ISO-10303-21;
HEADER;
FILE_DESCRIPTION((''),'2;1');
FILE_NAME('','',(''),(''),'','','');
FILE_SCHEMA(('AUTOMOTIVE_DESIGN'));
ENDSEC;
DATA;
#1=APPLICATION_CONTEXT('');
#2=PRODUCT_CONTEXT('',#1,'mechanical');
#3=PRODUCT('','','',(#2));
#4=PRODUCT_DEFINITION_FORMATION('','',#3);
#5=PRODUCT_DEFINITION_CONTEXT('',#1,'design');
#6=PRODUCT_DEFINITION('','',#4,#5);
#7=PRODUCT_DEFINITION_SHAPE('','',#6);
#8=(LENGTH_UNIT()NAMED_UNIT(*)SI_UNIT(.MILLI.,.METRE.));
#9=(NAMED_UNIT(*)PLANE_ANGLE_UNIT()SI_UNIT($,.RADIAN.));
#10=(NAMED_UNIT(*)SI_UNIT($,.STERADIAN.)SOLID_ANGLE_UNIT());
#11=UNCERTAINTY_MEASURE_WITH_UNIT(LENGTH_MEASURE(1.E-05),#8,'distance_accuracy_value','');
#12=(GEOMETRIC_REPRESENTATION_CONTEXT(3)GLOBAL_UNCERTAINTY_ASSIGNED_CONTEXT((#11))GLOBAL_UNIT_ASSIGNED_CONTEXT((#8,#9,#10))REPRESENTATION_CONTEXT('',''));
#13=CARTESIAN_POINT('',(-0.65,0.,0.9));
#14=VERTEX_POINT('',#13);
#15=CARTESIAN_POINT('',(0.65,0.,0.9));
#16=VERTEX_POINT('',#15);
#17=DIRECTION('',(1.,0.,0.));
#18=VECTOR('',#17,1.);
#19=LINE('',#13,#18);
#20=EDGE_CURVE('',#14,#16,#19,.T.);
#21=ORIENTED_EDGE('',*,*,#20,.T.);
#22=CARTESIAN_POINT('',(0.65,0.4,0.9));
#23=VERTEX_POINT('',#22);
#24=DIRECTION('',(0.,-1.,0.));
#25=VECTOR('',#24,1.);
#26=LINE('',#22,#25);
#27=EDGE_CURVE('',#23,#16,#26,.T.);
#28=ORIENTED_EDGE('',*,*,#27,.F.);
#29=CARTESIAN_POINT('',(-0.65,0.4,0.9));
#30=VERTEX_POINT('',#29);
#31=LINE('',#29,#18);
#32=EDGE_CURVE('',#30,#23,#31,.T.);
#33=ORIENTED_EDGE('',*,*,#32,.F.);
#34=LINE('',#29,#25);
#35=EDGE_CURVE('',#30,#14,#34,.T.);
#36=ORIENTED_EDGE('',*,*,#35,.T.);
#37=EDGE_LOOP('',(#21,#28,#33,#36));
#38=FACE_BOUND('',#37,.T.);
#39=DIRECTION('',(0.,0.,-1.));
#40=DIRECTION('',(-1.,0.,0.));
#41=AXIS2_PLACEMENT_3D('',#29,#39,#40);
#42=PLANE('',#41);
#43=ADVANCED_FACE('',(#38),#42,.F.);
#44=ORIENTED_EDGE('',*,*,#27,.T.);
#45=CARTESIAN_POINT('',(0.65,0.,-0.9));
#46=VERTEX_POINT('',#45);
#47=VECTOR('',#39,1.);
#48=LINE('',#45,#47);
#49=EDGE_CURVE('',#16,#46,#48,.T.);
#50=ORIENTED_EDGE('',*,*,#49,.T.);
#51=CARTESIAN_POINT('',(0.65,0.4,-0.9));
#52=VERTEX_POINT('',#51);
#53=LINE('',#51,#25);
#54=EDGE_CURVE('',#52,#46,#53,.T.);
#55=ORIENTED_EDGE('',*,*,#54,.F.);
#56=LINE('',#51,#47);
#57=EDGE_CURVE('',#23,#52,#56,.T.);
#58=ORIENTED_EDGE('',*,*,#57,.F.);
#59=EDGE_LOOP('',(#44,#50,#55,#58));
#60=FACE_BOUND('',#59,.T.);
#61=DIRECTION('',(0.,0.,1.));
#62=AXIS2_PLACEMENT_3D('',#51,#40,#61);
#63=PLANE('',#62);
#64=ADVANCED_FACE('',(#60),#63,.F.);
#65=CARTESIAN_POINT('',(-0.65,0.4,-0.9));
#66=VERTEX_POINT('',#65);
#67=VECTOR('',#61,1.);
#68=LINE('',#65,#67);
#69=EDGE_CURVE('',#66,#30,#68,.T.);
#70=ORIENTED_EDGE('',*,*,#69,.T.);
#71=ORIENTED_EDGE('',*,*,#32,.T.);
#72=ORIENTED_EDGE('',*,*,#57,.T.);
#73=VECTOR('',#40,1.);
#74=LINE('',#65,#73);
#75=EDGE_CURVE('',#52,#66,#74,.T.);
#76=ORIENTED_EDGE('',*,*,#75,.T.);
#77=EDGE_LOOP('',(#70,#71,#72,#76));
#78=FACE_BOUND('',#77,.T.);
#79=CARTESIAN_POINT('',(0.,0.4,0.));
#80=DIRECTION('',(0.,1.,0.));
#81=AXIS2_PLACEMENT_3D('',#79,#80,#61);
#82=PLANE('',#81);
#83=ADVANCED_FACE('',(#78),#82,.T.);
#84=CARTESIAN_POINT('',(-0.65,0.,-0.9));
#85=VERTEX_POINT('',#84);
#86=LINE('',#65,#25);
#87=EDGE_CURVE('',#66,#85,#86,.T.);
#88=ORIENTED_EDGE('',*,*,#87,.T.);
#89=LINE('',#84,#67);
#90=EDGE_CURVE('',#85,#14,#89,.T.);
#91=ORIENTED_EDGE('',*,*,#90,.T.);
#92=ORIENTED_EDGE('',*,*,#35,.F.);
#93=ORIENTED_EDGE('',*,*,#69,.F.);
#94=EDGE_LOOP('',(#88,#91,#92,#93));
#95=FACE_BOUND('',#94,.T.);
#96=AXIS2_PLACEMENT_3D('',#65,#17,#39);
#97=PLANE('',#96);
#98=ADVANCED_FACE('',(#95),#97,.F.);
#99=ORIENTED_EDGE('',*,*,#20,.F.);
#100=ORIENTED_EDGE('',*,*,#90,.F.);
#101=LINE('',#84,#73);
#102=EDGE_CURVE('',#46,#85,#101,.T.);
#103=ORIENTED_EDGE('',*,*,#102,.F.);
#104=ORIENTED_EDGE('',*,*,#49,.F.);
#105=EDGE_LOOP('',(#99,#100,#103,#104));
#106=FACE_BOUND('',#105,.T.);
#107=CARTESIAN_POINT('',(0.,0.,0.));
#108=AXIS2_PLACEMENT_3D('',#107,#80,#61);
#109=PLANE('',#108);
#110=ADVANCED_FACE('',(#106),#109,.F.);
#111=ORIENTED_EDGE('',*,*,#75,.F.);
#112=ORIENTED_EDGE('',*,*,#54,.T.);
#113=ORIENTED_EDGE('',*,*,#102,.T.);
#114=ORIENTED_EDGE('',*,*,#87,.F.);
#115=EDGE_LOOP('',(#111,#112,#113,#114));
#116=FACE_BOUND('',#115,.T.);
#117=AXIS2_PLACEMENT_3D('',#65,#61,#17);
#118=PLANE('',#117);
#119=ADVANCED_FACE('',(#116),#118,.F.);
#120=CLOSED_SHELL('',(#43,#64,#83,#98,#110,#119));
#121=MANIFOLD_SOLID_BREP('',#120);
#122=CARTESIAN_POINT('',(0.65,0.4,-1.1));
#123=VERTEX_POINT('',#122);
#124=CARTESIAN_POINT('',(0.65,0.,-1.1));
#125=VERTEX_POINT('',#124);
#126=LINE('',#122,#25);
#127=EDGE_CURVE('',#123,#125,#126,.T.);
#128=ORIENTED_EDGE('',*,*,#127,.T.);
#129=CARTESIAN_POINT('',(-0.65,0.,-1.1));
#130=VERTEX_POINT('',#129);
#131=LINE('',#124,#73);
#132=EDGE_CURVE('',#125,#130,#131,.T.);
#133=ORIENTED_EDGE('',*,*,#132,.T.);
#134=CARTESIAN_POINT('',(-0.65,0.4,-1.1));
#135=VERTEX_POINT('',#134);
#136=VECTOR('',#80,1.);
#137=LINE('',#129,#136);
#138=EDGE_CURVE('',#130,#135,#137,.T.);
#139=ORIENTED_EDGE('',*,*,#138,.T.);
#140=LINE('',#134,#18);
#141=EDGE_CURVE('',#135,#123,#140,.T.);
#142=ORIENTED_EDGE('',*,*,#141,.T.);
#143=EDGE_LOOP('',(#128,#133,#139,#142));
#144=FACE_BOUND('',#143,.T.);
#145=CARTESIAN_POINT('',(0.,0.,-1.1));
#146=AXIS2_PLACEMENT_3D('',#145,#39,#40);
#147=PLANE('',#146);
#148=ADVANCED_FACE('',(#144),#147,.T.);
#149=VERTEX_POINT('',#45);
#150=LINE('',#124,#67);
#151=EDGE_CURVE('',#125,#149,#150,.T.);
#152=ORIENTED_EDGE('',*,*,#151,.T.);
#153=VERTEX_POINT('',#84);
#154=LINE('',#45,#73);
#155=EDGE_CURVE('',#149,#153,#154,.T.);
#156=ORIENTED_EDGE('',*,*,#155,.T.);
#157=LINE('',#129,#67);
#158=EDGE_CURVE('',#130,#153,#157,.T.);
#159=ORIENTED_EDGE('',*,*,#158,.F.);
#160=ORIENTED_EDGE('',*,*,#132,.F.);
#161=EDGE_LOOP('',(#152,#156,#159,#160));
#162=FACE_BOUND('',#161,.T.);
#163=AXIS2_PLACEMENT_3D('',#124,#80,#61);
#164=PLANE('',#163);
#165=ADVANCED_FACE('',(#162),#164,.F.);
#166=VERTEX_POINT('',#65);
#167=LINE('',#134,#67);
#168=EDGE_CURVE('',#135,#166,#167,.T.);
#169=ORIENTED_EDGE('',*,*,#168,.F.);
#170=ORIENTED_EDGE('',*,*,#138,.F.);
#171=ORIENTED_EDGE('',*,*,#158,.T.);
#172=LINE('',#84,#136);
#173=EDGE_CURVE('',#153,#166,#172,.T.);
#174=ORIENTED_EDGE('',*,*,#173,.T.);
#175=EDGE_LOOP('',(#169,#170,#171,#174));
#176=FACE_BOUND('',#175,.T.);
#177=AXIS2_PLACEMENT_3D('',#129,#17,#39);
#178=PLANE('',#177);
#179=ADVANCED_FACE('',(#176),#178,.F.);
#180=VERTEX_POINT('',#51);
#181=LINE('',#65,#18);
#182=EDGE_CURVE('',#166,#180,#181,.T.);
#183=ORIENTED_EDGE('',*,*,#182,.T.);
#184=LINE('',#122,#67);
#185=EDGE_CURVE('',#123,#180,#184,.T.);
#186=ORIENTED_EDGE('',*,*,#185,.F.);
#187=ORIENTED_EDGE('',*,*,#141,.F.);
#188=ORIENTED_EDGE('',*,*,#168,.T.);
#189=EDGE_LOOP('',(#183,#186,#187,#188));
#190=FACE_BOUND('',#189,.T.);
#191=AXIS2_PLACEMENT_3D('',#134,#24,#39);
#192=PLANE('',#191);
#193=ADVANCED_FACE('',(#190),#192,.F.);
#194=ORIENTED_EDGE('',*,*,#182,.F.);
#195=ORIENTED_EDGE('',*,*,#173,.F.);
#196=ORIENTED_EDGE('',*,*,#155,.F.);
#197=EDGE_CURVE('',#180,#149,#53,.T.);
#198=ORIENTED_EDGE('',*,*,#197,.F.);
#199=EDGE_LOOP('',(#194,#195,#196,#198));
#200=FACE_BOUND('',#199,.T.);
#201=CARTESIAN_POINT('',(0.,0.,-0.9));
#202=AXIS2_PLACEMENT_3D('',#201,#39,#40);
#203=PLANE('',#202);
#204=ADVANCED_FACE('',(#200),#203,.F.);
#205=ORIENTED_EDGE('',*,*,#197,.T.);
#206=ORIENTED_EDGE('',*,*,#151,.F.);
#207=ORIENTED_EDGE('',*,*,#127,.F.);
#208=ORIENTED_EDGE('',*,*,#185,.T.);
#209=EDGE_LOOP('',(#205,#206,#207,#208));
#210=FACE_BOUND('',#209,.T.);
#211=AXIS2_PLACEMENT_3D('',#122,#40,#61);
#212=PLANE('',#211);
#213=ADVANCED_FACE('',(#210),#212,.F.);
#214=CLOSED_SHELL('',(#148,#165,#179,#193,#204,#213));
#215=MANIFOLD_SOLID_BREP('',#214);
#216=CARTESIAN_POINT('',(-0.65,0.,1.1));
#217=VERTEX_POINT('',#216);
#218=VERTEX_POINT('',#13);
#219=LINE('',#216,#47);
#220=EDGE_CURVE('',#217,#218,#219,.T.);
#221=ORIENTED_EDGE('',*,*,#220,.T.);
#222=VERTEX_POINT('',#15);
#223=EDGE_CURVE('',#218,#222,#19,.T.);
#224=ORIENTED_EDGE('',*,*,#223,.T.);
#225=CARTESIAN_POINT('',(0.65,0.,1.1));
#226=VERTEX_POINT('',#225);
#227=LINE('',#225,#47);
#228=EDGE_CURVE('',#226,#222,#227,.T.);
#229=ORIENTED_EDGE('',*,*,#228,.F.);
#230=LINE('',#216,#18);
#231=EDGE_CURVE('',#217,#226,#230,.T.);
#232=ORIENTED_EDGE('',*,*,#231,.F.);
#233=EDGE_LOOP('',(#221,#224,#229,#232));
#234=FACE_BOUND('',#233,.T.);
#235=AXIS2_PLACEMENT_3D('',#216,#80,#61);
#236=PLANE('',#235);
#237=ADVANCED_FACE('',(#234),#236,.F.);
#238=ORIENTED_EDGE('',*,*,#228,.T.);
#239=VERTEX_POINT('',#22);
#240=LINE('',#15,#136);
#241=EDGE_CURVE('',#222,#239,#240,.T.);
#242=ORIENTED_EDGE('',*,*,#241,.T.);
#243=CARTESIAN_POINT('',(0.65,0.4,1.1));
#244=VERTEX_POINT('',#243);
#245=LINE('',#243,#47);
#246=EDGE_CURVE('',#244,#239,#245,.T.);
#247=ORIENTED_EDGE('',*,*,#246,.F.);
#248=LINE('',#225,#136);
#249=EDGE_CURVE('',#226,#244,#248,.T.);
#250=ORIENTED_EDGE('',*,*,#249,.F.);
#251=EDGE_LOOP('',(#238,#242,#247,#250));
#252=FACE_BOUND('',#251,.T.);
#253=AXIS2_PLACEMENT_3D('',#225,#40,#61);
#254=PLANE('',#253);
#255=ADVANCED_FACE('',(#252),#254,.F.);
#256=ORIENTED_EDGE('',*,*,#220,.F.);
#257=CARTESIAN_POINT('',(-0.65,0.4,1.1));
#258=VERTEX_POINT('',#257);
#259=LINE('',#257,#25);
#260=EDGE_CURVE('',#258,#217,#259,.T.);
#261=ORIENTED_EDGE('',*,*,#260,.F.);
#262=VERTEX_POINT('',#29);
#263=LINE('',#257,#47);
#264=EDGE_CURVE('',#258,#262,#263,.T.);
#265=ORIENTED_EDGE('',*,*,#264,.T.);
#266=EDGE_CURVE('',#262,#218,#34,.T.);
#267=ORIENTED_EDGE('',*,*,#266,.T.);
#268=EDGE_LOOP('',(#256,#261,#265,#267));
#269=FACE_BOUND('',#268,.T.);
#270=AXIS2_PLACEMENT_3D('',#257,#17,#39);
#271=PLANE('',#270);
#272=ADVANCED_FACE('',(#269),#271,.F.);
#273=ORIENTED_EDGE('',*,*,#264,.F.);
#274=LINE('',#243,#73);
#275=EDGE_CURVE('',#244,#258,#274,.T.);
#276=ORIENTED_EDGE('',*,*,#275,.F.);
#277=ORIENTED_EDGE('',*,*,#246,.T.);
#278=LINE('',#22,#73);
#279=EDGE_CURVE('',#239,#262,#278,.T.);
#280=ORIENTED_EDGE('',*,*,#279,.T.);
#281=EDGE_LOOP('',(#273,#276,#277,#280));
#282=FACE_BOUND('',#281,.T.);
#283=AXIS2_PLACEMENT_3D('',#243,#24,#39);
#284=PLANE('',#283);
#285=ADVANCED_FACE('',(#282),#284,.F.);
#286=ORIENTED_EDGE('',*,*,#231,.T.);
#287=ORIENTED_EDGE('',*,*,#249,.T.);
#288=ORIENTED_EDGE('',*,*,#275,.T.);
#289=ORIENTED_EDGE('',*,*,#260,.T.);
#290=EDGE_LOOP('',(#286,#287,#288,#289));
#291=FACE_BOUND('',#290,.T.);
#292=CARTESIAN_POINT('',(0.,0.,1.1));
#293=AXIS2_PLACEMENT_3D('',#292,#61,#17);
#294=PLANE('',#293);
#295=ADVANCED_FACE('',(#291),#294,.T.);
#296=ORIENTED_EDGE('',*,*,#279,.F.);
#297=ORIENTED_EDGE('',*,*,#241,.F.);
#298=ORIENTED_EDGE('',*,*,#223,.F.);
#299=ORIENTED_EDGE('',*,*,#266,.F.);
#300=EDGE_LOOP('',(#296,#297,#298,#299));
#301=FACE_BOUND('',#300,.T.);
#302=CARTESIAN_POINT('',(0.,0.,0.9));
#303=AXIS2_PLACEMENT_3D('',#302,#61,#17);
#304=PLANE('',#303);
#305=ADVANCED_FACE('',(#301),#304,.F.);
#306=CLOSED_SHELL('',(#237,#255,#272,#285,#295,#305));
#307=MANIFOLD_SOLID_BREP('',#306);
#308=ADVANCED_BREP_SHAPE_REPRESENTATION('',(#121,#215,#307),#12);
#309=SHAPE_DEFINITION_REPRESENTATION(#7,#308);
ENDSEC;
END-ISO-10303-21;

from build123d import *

# Parameters (mm, degrees)
SKETCH1_W  = 1.3
SKETCH1_H  = 1.8
MB_DEPTH   = 0.4
SKETCH2_W  = 1.3
SKETCH2_H  = 0.4
SB_L_DEPTH = 0.2
SKETCH3_W  = 1.3
SKETCH3_H  = 0.4
SB_R_DEPTH = 0.2


with BuildPart() as part:
    # Sketch1 → MB (new body)
    with BuildSketch(Plane(origin=(0, 0, 0), x_dir=(1, 0, 0), z_dir=(0, 1, 0))):
        Rectangle(SKETCH1_W, SKETCH1_H)
    extrude(amount=MB_DEPTH)


with BuildPart() as body_2:
    # Sketch2 → SB L (new body)
    with BuildSketch(Plane.XY.offset(0.9)):
        with Locations((0, 0.2)):
            Rectangle(SKETCH2_W, SKETCH2_H)
    extrude(amount=SB_L_DEPTH)


with BuildPart() as body_3:
    # Sketch3 → SB R (new body)
    with BuildSketch(Plane(origin=(0, 0, -0.9), x_dir=(-1, 0, 0), z_dir=(0, 0, -1))):
        with Locations((0, 0.2)):
            Rectangle(SKETCH3_W, SKETCH3_H)
    extrude(amount=SB_R_DEPTH)


solid = Compound([part.part, body_2.part, body_3.part])
